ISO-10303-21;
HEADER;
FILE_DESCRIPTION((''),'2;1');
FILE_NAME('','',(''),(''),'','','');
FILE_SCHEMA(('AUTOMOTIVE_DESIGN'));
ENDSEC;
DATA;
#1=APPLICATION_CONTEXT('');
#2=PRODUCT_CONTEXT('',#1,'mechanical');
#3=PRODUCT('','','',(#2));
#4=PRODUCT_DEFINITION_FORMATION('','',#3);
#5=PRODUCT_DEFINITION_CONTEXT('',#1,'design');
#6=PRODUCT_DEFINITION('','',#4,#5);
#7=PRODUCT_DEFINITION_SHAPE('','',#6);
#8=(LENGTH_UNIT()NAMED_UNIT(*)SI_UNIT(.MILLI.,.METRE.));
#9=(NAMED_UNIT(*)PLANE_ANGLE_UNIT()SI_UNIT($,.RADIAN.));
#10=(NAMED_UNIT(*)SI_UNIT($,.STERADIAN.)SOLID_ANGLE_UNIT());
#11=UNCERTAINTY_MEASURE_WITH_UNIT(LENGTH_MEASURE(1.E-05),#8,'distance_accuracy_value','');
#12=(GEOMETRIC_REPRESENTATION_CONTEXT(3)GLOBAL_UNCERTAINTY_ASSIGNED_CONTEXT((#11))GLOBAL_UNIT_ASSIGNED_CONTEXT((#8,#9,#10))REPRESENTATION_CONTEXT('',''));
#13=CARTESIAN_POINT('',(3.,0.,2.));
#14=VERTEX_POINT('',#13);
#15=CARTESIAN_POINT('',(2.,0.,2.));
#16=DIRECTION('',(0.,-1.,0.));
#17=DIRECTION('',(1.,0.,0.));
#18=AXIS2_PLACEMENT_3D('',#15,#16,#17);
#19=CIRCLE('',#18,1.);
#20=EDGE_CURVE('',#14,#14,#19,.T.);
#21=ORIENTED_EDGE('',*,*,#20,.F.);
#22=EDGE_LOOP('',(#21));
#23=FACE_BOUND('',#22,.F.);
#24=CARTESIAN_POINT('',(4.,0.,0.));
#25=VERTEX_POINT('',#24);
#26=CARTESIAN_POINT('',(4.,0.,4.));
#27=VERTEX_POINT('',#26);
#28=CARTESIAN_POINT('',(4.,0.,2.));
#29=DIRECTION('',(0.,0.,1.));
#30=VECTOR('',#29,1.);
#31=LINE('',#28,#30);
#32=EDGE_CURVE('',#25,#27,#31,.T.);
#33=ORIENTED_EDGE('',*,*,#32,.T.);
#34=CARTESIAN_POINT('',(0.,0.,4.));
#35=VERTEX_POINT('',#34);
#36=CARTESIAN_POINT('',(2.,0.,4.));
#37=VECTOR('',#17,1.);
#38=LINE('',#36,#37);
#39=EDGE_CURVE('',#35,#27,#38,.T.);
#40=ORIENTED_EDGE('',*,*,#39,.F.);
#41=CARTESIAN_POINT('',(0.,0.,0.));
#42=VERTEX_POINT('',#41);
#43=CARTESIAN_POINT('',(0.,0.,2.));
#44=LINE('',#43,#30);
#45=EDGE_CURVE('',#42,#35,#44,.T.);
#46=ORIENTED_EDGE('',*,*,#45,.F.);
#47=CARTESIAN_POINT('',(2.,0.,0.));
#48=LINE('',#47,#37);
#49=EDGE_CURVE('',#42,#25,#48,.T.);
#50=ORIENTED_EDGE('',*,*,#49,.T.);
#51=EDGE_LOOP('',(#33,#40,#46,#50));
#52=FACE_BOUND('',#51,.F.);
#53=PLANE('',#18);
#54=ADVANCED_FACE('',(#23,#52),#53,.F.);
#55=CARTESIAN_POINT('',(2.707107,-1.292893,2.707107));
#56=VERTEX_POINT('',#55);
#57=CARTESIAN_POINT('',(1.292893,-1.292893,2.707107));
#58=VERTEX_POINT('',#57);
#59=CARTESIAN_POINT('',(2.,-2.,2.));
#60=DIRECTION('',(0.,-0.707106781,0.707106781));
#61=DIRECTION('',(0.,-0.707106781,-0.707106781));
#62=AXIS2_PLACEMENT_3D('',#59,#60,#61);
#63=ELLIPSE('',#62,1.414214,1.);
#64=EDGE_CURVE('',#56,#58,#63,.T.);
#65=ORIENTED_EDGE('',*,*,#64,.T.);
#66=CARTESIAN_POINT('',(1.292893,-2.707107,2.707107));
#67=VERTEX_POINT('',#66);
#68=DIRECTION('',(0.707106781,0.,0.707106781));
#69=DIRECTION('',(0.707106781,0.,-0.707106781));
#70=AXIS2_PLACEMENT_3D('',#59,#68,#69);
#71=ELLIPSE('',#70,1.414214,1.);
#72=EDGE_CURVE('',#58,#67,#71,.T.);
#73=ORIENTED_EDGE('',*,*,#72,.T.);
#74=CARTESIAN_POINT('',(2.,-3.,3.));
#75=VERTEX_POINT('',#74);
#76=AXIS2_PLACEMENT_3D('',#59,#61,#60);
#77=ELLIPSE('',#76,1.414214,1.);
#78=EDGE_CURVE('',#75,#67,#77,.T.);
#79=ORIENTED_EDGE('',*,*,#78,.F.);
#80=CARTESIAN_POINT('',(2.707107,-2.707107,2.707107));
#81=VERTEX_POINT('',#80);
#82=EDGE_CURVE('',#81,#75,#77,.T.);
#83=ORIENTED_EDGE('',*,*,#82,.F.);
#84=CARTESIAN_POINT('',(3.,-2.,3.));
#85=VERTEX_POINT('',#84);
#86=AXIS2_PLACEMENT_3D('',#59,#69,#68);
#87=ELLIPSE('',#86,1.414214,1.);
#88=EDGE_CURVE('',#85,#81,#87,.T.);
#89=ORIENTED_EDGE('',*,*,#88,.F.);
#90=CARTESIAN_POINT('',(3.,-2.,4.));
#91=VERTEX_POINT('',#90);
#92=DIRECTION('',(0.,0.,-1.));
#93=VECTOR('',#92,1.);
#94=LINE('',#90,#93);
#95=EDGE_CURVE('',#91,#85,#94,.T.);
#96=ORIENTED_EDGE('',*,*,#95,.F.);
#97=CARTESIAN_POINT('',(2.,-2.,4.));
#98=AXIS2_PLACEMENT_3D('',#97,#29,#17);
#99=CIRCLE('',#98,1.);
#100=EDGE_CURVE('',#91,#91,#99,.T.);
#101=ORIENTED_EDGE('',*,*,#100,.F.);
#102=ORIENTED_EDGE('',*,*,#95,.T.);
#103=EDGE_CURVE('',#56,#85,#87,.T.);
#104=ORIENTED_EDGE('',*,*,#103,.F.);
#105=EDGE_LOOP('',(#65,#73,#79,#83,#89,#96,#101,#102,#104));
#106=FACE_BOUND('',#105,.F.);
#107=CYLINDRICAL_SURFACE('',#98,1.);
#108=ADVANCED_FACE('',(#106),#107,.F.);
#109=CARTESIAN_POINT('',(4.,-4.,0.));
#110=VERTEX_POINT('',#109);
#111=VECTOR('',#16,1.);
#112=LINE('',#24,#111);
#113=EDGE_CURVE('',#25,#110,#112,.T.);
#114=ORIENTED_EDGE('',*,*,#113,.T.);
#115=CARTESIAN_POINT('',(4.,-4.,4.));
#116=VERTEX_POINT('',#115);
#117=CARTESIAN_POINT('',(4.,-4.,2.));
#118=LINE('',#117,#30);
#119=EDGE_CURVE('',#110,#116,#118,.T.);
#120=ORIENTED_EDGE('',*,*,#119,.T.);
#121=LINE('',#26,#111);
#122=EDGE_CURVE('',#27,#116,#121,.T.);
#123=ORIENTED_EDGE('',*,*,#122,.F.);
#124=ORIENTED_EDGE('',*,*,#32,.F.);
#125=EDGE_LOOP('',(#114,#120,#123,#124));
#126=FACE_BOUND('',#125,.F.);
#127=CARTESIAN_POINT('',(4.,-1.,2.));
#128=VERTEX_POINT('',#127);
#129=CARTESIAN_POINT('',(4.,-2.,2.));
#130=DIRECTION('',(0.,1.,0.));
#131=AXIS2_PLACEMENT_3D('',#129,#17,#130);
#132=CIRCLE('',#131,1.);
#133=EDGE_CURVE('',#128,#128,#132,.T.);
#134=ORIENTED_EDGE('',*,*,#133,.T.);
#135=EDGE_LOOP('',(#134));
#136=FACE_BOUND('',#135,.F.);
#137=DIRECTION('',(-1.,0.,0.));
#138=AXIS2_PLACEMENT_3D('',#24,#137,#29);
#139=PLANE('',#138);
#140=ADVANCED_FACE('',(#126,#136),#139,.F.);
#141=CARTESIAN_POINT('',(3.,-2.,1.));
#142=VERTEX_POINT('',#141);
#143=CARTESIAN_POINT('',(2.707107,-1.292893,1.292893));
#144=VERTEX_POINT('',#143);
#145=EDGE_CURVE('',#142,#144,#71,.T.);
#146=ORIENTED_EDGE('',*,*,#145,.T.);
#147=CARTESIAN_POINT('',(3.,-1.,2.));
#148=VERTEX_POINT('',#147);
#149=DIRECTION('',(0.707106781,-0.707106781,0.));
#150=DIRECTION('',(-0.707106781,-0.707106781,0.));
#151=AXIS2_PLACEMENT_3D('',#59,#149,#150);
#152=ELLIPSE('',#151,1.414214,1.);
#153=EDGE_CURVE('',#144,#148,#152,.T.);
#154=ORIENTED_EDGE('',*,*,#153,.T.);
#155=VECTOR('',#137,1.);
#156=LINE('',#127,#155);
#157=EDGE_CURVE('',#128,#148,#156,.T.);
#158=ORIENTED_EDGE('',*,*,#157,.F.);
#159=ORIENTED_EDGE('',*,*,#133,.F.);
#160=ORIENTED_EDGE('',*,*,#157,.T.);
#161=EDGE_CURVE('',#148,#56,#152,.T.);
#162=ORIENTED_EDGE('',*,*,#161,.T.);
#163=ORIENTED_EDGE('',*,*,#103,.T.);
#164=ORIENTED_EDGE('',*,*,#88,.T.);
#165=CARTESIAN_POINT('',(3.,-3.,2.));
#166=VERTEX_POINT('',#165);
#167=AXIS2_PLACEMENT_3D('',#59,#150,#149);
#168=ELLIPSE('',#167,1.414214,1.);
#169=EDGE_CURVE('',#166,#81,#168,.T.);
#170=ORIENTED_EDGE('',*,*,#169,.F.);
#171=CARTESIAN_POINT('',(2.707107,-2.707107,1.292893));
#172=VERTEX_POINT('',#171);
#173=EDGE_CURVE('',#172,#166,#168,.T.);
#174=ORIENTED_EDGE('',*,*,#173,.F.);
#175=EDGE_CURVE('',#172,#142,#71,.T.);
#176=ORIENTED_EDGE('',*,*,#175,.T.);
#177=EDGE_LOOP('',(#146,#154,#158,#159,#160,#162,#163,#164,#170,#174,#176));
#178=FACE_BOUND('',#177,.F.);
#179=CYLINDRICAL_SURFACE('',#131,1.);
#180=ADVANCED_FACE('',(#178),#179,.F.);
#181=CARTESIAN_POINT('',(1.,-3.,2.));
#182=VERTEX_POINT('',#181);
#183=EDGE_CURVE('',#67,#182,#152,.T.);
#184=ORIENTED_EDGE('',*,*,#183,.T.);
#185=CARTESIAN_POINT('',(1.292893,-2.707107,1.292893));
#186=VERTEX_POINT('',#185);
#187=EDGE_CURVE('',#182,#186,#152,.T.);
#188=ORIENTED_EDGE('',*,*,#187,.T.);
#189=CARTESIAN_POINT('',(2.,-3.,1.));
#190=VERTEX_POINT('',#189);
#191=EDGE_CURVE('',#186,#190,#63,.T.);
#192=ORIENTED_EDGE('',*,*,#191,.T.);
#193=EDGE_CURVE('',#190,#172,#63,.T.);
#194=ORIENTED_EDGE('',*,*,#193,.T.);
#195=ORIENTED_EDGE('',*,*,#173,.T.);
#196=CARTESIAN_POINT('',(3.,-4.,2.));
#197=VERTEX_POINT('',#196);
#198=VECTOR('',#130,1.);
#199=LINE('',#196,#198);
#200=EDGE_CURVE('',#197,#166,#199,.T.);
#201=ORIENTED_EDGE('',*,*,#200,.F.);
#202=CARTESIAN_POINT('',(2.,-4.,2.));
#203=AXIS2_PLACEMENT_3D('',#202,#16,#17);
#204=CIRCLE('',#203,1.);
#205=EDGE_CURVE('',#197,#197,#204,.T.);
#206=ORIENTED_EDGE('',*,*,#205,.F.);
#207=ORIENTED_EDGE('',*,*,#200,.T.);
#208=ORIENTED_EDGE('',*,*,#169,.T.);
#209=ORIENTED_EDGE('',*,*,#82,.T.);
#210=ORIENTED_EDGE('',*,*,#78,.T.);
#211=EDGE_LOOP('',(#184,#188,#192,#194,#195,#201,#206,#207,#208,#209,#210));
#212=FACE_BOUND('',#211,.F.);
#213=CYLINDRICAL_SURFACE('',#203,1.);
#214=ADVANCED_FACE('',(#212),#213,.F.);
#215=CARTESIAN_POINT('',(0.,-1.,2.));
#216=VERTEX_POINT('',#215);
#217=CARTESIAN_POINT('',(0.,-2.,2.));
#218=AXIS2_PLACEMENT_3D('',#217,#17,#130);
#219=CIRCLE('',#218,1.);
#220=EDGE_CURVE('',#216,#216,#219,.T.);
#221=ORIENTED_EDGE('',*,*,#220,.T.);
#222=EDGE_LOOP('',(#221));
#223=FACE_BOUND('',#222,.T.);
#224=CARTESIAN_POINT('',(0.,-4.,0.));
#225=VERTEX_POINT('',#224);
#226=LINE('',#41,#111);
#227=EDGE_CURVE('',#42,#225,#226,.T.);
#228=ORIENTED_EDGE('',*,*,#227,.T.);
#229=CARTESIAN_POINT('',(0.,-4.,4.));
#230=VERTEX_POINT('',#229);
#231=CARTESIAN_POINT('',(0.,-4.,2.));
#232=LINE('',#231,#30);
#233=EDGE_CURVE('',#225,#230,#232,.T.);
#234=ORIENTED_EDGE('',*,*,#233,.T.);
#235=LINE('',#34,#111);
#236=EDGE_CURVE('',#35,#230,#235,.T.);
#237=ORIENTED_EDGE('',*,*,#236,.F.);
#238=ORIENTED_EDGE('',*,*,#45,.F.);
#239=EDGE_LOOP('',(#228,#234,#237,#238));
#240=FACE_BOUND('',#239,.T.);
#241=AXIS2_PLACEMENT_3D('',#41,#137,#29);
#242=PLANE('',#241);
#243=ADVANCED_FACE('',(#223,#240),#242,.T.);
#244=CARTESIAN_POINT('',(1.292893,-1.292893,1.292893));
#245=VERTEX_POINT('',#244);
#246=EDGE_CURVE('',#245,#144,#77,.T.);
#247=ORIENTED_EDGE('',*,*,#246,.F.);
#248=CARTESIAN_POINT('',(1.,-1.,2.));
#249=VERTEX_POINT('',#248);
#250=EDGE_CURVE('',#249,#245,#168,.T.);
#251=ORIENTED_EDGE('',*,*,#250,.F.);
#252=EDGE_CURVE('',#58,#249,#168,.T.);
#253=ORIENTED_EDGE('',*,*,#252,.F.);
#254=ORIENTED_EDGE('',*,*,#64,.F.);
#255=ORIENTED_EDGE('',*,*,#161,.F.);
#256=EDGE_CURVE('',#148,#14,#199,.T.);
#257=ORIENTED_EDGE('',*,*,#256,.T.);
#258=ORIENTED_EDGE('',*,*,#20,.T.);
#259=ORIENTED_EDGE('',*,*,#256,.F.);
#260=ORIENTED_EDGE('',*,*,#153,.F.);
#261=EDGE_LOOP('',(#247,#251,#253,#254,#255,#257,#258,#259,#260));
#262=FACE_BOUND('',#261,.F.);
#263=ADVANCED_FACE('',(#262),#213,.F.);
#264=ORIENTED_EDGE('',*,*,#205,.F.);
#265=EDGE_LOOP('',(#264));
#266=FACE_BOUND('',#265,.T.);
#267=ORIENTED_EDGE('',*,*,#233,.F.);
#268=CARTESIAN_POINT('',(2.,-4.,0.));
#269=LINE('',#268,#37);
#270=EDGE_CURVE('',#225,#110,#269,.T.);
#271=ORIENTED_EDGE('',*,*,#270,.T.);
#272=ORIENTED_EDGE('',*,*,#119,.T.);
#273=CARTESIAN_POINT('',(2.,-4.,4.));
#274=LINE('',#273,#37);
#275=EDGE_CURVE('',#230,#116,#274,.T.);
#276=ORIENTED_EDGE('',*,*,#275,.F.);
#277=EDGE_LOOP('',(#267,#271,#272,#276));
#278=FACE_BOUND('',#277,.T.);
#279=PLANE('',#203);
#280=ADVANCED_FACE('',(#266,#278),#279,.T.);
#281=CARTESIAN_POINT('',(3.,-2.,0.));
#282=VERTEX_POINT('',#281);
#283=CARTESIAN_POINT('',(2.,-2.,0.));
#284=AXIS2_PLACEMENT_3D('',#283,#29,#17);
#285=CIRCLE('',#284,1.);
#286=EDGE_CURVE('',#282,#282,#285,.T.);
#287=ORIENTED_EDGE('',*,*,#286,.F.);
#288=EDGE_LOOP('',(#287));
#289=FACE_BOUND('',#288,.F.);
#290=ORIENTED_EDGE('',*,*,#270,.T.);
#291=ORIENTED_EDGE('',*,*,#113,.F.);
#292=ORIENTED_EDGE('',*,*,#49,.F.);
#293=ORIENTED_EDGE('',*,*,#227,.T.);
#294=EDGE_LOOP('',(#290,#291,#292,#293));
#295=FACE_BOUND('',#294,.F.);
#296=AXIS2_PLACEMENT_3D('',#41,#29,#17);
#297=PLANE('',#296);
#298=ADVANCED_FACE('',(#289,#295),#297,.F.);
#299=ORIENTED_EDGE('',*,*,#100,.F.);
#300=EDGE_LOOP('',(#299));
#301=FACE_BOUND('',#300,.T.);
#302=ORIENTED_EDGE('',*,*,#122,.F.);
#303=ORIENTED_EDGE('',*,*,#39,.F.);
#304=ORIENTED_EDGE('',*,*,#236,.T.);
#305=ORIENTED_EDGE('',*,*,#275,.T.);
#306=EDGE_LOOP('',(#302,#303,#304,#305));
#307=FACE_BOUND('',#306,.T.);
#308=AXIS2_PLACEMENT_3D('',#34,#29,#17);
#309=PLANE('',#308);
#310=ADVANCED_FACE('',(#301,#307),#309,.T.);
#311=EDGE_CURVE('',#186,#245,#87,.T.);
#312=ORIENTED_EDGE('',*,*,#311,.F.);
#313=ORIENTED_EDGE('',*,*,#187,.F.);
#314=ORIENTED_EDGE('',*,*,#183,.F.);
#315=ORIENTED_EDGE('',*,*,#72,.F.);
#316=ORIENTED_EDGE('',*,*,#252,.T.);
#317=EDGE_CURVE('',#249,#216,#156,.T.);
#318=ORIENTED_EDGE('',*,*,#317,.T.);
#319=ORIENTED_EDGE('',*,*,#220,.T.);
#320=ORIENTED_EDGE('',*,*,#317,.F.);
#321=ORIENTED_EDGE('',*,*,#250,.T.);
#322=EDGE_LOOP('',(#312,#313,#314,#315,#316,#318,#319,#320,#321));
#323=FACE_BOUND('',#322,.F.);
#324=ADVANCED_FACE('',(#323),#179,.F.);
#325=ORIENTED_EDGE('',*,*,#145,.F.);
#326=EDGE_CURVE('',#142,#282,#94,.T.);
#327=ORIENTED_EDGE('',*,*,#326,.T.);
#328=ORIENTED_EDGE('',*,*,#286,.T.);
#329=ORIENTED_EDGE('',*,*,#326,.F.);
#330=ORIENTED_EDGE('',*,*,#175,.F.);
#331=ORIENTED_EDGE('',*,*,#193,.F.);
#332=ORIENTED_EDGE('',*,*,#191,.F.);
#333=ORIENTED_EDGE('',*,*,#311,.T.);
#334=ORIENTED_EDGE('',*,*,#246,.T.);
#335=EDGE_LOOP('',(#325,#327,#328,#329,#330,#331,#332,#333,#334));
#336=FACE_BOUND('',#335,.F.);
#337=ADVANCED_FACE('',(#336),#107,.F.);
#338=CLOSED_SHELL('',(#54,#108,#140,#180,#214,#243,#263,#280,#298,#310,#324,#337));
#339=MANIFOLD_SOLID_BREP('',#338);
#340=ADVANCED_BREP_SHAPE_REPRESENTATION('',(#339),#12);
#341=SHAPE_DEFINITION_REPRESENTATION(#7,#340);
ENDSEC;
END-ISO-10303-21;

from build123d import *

# Parameters (mm, degrees)
F0_W     = 4
F0_H     = 4
F1_DEPTH = 4
F2_R     = 1
F3_DEPTH = 4
F4_R     = 1
F5_DEPTH = 4
F6_R     = 1
F7_DEPTH = 4


with BuildPart() as f1:
    # F0 (on Front) → F1 (new body)
    with BuildSketch(Plane.XZ):
        with Locations((2, 2)):
            Rectangle(F0_W, F0_H)
    extrude(amount=F1_DEPTH)

    # F2 (on face) → F3 (cut)
    with BuildSketch(Plane.XZ.offset(4)):
        with Locations((2, 2)):
            Circle(F2_R)
    extrude(amount=-F3_DEPTH, mode=Mode.SUBTRACT)

    # F4 (on face) → F5 (cut)
    with BuildSketch(Plane.YZ.offset(4)):
        with Locations((-2, 2)):
            Circle(F4_R)
    extrude(amount=-F5_DEPTH, mode=Mode.SUBTRACT)

    # F6 (on face) → F7 (cut)
    with BuildSketch(Plane.XY.offset(4)):
        with Locations((2, -2)):
            Circle(F6_R)
    extrude(amount=-F7_DEPTH, mode=Mode.SUBTRACT)


solid = f1.part
